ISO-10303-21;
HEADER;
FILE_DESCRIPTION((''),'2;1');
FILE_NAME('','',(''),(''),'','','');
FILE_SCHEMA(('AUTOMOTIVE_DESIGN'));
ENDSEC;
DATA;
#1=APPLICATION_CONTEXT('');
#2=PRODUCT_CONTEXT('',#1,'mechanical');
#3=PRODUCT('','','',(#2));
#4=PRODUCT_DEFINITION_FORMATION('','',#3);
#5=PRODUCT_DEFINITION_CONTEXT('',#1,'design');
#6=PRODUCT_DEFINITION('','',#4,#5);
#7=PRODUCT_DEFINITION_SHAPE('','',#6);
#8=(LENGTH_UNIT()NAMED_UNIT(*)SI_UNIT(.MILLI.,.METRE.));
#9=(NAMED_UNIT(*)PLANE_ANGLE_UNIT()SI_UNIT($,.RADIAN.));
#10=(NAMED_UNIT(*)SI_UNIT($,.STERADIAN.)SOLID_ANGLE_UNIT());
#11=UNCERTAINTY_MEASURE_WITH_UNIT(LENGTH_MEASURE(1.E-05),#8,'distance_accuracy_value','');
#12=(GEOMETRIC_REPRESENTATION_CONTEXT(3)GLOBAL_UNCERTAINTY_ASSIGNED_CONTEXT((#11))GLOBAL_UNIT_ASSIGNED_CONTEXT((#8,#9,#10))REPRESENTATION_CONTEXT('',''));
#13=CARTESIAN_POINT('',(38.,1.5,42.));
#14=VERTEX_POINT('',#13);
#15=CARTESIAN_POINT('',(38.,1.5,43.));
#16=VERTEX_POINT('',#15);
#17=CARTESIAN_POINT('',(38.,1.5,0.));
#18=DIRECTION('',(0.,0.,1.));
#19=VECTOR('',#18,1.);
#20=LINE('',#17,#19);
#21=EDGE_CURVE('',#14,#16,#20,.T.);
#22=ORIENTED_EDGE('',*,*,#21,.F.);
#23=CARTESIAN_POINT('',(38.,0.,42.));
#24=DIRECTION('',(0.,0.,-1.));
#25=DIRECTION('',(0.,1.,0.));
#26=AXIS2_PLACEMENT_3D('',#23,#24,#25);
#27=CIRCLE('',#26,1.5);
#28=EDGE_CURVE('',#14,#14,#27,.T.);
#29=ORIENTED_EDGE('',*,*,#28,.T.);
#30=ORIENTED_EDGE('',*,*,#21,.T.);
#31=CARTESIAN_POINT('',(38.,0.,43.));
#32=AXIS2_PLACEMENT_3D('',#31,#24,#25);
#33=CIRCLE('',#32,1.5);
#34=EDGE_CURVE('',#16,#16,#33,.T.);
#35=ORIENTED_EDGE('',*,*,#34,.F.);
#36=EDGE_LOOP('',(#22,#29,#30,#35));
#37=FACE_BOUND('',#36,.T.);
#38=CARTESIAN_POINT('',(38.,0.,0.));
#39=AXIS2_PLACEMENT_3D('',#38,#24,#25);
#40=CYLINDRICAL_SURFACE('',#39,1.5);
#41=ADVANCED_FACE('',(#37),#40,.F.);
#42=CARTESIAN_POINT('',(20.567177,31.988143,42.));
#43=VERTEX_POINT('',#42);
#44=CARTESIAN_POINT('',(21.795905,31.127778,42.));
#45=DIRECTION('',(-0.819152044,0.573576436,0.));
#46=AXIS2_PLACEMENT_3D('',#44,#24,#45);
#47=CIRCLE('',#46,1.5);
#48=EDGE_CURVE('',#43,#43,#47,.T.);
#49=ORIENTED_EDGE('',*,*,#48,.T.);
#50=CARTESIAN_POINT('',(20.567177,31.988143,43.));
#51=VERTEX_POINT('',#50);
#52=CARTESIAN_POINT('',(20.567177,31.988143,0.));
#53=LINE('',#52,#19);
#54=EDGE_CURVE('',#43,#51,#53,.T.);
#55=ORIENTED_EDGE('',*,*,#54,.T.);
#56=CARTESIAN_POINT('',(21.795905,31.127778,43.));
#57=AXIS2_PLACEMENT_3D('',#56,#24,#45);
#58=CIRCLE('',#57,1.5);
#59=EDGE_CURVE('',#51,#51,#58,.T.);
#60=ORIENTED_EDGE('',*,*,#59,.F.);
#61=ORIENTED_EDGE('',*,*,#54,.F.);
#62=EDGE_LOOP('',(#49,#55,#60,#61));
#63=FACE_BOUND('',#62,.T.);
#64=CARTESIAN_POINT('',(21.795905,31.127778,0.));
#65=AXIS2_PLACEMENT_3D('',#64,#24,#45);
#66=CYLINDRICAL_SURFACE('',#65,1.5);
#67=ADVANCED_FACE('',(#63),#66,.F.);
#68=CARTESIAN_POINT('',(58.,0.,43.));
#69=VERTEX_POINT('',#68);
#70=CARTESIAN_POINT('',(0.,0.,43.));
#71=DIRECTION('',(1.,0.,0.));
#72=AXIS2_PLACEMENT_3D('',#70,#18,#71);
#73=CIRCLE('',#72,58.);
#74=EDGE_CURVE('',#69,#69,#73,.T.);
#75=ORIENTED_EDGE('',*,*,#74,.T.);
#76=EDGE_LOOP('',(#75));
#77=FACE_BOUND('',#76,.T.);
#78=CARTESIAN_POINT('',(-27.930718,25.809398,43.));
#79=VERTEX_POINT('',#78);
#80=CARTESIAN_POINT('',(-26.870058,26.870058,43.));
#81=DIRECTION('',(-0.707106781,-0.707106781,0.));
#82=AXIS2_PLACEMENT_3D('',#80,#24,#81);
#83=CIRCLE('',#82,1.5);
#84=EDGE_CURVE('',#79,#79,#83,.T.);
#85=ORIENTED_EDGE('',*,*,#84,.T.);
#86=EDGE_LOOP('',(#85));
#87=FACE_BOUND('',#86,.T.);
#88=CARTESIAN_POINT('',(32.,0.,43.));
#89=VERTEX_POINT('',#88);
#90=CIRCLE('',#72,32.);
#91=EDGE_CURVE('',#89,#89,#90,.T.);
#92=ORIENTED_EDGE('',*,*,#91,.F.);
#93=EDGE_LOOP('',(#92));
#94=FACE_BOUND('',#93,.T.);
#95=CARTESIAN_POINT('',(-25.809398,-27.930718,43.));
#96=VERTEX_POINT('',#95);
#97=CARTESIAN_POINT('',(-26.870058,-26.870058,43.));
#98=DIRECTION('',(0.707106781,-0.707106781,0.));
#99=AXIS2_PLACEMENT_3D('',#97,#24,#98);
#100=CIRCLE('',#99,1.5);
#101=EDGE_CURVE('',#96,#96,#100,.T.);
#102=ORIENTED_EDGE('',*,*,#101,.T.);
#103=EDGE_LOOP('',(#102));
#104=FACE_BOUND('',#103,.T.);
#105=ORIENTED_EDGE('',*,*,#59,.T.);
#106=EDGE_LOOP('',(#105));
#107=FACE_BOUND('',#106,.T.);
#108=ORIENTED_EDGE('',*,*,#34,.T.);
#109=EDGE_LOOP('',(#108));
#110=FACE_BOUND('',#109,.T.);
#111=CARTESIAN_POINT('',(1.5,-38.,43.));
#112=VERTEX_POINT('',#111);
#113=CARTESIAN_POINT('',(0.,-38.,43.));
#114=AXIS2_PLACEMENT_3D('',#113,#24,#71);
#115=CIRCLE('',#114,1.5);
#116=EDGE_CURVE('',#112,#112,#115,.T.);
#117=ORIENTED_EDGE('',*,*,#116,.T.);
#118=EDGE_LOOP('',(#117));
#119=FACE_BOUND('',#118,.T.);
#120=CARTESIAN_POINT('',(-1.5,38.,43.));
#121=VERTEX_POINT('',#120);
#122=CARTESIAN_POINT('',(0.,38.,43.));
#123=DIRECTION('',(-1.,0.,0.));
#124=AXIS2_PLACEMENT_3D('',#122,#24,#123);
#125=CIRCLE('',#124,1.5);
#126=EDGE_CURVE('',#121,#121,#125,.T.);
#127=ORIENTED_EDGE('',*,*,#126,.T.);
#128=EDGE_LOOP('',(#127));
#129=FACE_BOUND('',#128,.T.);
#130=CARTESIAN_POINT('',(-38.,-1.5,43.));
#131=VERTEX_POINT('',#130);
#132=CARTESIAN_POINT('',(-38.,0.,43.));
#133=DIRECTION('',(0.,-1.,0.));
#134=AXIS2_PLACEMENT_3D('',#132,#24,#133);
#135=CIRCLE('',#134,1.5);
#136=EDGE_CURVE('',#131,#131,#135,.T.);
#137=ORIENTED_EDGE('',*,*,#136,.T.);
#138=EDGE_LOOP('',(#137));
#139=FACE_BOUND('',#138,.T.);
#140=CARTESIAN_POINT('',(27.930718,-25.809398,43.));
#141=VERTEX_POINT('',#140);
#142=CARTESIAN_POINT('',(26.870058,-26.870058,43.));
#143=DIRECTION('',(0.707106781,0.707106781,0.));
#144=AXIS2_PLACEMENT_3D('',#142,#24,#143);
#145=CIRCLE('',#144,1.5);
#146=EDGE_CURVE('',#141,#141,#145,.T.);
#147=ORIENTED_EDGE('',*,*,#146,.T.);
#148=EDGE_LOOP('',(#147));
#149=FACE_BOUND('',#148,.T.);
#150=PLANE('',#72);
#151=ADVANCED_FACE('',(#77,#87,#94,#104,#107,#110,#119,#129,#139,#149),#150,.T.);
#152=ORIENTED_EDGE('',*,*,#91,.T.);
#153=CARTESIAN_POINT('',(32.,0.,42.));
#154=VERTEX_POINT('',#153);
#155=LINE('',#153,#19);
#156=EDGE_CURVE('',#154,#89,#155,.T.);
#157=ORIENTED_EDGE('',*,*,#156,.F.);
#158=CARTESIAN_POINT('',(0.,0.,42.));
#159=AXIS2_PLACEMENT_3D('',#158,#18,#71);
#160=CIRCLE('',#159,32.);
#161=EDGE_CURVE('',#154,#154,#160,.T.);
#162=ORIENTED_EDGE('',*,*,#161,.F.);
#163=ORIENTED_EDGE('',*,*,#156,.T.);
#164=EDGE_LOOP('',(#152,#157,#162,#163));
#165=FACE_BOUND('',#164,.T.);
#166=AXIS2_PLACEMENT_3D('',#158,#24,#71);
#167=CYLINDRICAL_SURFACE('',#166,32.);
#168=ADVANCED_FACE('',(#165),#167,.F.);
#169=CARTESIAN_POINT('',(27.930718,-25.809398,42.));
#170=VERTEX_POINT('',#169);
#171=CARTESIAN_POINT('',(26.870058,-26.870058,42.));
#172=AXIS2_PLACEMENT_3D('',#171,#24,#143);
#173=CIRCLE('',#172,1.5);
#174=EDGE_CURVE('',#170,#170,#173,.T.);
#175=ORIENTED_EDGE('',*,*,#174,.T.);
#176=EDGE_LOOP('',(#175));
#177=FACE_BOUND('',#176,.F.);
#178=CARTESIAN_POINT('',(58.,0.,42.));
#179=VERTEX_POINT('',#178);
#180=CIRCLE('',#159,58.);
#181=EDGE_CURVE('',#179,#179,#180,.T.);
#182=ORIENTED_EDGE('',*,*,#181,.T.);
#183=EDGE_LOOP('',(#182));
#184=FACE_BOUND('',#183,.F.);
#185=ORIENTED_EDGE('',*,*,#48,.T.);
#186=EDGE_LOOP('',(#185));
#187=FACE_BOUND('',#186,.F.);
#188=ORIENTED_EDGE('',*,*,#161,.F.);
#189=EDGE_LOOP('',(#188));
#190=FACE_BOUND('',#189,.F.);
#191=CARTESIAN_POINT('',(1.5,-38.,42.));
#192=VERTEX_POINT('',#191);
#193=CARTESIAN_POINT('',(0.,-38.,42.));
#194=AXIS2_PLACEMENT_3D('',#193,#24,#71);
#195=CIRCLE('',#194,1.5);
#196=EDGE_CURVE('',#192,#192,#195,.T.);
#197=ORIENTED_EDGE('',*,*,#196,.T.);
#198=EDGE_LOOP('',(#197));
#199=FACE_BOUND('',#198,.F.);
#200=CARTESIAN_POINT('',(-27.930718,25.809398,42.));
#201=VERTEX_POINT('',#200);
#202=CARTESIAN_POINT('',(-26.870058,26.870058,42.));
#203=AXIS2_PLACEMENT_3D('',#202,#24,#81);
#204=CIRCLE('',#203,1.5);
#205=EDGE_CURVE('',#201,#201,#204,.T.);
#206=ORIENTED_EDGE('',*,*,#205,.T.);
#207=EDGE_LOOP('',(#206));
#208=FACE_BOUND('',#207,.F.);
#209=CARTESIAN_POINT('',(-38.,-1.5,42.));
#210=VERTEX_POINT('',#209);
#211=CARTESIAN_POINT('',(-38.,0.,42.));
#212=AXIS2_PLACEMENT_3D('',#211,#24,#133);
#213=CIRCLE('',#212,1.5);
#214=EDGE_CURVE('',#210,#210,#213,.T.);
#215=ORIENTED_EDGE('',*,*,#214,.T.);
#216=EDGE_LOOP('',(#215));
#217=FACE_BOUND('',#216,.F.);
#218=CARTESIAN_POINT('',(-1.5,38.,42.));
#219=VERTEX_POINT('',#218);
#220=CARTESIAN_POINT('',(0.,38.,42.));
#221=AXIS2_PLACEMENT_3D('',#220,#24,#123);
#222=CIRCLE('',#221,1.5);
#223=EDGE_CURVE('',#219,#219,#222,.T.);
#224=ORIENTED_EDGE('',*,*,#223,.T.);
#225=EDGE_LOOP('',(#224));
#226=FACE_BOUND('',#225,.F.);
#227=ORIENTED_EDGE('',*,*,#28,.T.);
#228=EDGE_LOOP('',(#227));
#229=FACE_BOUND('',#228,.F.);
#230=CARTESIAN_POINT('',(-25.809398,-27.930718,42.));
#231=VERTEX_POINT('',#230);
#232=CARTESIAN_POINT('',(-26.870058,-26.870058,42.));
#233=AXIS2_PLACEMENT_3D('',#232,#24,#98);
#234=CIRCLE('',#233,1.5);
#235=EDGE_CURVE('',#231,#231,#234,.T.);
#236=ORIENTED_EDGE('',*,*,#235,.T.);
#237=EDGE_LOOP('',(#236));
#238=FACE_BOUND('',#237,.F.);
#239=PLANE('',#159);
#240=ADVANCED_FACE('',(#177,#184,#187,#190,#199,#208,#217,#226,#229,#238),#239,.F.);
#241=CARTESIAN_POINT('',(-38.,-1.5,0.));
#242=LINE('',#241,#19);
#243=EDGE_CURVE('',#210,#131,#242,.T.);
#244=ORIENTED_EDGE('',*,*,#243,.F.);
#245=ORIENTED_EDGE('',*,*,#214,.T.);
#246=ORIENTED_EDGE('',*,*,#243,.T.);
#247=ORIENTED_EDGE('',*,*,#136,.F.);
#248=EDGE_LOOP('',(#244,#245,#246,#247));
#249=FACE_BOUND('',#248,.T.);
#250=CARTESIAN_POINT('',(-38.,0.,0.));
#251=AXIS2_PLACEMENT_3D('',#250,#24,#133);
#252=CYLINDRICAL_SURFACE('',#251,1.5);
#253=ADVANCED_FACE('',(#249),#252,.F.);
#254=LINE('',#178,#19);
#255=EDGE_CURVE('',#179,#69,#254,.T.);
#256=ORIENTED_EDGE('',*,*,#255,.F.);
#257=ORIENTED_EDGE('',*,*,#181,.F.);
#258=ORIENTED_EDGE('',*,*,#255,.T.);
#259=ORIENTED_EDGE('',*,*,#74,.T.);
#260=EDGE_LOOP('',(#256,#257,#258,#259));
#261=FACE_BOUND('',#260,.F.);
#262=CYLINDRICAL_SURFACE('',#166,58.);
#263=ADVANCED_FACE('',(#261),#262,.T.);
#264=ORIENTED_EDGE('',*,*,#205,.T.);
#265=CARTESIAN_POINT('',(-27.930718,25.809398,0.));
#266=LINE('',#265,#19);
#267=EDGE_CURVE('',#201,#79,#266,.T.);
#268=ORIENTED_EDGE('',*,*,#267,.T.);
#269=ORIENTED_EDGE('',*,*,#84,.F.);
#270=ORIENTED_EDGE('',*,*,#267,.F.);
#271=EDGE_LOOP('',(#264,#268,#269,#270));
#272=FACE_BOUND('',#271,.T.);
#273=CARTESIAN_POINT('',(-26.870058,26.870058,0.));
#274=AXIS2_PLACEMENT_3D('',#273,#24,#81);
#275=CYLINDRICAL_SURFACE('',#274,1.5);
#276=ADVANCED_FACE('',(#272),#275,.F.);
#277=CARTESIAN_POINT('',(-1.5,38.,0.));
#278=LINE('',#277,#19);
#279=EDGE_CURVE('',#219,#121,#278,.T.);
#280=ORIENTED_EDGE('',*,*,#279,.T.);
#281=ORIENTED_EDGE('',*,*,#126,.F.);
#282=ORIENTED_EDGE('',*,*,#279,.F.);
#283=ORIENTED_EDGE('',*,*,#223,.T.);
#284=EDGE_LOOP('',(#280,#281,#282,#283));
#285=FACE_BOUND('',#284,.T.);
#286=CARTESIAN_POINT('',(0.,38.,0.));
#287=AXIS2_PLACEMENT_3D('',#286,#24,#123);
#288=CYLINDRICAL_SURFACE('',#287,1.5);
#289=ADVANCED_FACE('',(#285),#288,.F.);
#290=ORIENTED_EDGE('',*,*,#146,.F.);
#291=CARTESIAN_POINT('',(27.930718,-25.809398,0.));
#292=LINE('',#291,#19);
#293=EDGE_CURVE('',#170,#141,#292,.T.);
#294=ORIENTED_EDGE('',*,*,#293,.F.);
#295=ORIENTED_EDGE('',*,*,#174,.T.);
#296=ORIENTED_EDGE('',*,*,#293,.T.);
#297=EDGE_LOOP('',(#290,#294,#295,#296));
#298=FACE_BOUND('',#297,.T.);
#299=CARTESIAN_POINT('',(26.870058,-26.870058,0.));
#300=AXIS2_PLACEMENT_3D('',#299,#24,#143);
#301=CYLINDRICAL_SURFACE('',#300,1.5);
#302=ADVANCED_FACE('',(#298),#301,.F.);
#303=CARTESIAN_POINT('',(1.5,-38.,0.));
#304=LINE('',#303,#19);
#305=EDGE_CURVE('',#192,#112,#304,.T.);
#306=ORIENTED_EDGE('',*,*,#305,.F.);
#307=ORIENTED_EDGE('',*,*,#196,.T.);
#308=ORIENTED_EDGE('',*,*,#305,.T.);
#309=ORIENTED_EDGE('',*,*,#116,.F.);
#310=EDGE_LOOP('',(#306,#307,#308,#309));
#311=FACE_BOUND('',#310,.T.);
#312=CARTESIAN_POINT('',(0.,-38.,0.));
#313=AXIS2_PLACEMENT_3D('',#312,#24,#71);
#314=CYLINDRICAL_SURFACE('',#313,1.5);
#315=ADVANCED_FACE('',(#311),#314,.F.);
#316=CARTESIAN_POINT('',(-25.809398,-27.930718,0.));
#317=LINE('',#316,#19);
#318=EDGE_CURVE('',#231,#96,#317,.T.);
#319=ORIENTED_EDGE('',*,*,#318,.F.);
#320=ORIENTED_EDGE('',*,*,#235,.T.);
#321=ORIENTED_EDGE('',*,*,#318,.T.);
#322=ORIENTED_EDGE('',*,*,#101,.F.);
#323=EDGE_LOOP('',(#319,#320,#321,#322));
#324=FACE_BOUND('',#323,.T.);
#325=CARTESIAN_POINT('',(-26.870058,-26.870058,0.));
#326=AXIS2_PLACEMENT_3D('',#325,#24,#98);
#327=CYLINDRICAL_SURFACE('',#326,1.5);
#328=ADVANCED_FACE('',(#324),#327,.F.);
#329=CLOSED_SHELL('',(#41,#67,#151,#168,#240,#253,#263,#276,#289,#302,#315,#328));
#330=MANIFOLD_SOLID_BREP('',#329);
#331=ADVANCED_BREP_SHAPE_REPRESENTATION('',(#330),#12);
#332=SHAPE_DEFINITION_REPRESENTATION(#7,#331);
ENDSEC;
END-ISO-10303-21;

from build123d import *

# Parameters (mm, degrees)
CYLINDER2163_R               = 1.5
CYLINDER2163_DEPTH           = 100
CYLINDER2164_R               = 1.5
CYLINDER2164_DEPTH           = 100
CYLINDER2164_PLACEMENT_ANGLE = 145
CYLINDER2165_R               = 1.5
CYLINDER2165_DEPTH           = 100
CYLINDER2166_R               = 1.5
CYLINDER2166_DEPTH           = 100
CYLINDER2166_PLACEMENT_ANGLE = 225
CYLINDER2167_R               = 1.5
CYLINDER2167_DEPTH           = 100
CYLINDER2168_R               = 1.5
CYLINDER2168_DEPTH           = 100
CYLINDER2168_PLACEMENT_ANGLE = 45
CYLINDER2162_R               = 1.5
CYLINDER2162_DEPTH           = 100
CYLINDER2161_R               = 1.5
CYLINDER2161_DEPTH           = 100
CYLINDER2161_PLACEMENT_ANGLE = 45
TUBE089_R                    = 58
TUBE089_R_2                  = 32
TUBE089_DEPTH                = 1


with BuildPart() as v_lec2163:
    # Cylinder2163 → Cylinder2163 (new body)
    with BuildSketch(Plane(origin=(38, 0, 0), x_dir=(0, 1, 0), z_dir=(0, 0, 1))):
        Circle(CYLINDER2163_R)
    extrude(amount=CYLINDER2163_DEPTH)


with BuildPart() as v_lec2164:
    # Cylinder2164 → Cylinder2164 (new body)
    with BuildSketch(Plane.XY):
        Circle(CYLINDER2164_R)
    extrude(amount=CYLINDER2164_DEPTH)


with BuildPart() as v_lec2164_1:
    # Cylinder2164 placement: moved
    add(v_lec2164.part.moved(Location((21.795905, 31.127778, 0))).rotate(Axis((21.795905, 31.127778, 0), (0, 0, 1)), CYLINDER2164_PLACEMENT_ANGLE))


with BuildPart() as v_lec2165:
    # Cylinder2165 → Cylinder2165 (new body)
    with BuildSketch(Plane(origin=(0, 38, 0), x_dir=(-1, 0, 0), z_dir=(0, 0, 1))):
        Circle(CYLINDER2165_R)
    extrude(amount=CYLINDER2165_DEPTH)


with BuildPart() as v_lec2166:
    # Cylinder2166 → Cylinder2166 (new body)
    with BuildSketch(Plane.XY):
        Circle(CYLINDER2166_R)
    extrude(amount=CYLINDER2166_DEPTH)


with BuildPart() as v_lec2166_1:
    # Cylinder2166 placement: moved
    add(v_lec2166.part.moved(Location((-26.870058, 26.870058, 0))).rotate(Axis((-26.870058, 26.870058, 0), (0, 0, 1)), CYLINDER2166_PLACEMENT_ANGLE))


with BuildPart() as v_lec2167:
    # Cylinder2167 → Cylinder2167 (new body)
    with BuildSketch(Plane(origin=(-38, 0, 0), x_dir=(0, -1, 0), z_dir=(0, 0, 1))):
        Circle(CYLINDER2167_R)
    extrude(amount=CYLINDER2167_DEPTH)


with BuildPart() as v_lec2168:
    # Cylinder2168 → Cylinder2168 (new body)
    with BuildSketch(Plane.XY):
        Circle(CYLINDER2168_R)
    extrude(amount=CYLINDER2168_DEPTH)


with BuildPart() as v_lec2168_1:
    # Cylinder2168 placement: moved
    add(v_lec2168.part.moved(Location((-26.870058, -26.870058, 0))).rotate(Axis((-26.870058, -26.870058, 0), (0, 0, -1)), CYLINDER2168_PLACEMENT_ANGLE))


with BuildPart() as v_lec2162:
    # Cylinder2162 → Cylinder2162 (new body)
    with BuildSketch(Plane(origin=(0, -38, 0), x_dir=(1, 0, 0), z_dir=(0, 0, 1))):
        Circle(CYLINDER2162_R)
    extrude(amount=CYLINDER2162_DEPTH)


with BuildPart() as compound1127:
    # Cylinder2161 → Cylinder2161 (new body)
    with BuildSketch(Plane.XY):
        Circle(CYLINDER2161_R)
    extrude(amount=CYLINDER2161_DEPTH)


with BuildPart() as compound1127_1:
    # Cylinder2161 placement: moved
    add(compound1127.part.moved(Location((26.870058, -26.870058, 0))).rotate(Axis((26.870058, -26.870058, 0), (0, 0, 1)), CYLINDER2161_PLACEMENT_ANGLE))

    # Compound1127: union Válec2163, Válec2164, Válec2165, Válec2166, Válec2167, Válec2168, Válec2162
    add(v_lec2163.part)
    add(v_lec2164_1.part)
    add(v_lec2165.part)
    add(v_lec2166_1.part)
    add(v_lec2167.part)
    add(v_lec2168_1.part)
    add(v_lec2162.part)


with BuildPart() as cut715:
    # Tube089 → Tube089 (new body)
    with BuildSketch(Plane.XY.offset(42)):
        Circle(TUBE089_R)
        Circle(TUBE089_R_2, mode=Mode.SUBTRACT)
    extrude(amount=TUBE089_DEPTH)

    # Cut715: cut Compound1127
    add(compound1127_1.part, mode=Mode.SUBTRACT)


solid = cut715.part
